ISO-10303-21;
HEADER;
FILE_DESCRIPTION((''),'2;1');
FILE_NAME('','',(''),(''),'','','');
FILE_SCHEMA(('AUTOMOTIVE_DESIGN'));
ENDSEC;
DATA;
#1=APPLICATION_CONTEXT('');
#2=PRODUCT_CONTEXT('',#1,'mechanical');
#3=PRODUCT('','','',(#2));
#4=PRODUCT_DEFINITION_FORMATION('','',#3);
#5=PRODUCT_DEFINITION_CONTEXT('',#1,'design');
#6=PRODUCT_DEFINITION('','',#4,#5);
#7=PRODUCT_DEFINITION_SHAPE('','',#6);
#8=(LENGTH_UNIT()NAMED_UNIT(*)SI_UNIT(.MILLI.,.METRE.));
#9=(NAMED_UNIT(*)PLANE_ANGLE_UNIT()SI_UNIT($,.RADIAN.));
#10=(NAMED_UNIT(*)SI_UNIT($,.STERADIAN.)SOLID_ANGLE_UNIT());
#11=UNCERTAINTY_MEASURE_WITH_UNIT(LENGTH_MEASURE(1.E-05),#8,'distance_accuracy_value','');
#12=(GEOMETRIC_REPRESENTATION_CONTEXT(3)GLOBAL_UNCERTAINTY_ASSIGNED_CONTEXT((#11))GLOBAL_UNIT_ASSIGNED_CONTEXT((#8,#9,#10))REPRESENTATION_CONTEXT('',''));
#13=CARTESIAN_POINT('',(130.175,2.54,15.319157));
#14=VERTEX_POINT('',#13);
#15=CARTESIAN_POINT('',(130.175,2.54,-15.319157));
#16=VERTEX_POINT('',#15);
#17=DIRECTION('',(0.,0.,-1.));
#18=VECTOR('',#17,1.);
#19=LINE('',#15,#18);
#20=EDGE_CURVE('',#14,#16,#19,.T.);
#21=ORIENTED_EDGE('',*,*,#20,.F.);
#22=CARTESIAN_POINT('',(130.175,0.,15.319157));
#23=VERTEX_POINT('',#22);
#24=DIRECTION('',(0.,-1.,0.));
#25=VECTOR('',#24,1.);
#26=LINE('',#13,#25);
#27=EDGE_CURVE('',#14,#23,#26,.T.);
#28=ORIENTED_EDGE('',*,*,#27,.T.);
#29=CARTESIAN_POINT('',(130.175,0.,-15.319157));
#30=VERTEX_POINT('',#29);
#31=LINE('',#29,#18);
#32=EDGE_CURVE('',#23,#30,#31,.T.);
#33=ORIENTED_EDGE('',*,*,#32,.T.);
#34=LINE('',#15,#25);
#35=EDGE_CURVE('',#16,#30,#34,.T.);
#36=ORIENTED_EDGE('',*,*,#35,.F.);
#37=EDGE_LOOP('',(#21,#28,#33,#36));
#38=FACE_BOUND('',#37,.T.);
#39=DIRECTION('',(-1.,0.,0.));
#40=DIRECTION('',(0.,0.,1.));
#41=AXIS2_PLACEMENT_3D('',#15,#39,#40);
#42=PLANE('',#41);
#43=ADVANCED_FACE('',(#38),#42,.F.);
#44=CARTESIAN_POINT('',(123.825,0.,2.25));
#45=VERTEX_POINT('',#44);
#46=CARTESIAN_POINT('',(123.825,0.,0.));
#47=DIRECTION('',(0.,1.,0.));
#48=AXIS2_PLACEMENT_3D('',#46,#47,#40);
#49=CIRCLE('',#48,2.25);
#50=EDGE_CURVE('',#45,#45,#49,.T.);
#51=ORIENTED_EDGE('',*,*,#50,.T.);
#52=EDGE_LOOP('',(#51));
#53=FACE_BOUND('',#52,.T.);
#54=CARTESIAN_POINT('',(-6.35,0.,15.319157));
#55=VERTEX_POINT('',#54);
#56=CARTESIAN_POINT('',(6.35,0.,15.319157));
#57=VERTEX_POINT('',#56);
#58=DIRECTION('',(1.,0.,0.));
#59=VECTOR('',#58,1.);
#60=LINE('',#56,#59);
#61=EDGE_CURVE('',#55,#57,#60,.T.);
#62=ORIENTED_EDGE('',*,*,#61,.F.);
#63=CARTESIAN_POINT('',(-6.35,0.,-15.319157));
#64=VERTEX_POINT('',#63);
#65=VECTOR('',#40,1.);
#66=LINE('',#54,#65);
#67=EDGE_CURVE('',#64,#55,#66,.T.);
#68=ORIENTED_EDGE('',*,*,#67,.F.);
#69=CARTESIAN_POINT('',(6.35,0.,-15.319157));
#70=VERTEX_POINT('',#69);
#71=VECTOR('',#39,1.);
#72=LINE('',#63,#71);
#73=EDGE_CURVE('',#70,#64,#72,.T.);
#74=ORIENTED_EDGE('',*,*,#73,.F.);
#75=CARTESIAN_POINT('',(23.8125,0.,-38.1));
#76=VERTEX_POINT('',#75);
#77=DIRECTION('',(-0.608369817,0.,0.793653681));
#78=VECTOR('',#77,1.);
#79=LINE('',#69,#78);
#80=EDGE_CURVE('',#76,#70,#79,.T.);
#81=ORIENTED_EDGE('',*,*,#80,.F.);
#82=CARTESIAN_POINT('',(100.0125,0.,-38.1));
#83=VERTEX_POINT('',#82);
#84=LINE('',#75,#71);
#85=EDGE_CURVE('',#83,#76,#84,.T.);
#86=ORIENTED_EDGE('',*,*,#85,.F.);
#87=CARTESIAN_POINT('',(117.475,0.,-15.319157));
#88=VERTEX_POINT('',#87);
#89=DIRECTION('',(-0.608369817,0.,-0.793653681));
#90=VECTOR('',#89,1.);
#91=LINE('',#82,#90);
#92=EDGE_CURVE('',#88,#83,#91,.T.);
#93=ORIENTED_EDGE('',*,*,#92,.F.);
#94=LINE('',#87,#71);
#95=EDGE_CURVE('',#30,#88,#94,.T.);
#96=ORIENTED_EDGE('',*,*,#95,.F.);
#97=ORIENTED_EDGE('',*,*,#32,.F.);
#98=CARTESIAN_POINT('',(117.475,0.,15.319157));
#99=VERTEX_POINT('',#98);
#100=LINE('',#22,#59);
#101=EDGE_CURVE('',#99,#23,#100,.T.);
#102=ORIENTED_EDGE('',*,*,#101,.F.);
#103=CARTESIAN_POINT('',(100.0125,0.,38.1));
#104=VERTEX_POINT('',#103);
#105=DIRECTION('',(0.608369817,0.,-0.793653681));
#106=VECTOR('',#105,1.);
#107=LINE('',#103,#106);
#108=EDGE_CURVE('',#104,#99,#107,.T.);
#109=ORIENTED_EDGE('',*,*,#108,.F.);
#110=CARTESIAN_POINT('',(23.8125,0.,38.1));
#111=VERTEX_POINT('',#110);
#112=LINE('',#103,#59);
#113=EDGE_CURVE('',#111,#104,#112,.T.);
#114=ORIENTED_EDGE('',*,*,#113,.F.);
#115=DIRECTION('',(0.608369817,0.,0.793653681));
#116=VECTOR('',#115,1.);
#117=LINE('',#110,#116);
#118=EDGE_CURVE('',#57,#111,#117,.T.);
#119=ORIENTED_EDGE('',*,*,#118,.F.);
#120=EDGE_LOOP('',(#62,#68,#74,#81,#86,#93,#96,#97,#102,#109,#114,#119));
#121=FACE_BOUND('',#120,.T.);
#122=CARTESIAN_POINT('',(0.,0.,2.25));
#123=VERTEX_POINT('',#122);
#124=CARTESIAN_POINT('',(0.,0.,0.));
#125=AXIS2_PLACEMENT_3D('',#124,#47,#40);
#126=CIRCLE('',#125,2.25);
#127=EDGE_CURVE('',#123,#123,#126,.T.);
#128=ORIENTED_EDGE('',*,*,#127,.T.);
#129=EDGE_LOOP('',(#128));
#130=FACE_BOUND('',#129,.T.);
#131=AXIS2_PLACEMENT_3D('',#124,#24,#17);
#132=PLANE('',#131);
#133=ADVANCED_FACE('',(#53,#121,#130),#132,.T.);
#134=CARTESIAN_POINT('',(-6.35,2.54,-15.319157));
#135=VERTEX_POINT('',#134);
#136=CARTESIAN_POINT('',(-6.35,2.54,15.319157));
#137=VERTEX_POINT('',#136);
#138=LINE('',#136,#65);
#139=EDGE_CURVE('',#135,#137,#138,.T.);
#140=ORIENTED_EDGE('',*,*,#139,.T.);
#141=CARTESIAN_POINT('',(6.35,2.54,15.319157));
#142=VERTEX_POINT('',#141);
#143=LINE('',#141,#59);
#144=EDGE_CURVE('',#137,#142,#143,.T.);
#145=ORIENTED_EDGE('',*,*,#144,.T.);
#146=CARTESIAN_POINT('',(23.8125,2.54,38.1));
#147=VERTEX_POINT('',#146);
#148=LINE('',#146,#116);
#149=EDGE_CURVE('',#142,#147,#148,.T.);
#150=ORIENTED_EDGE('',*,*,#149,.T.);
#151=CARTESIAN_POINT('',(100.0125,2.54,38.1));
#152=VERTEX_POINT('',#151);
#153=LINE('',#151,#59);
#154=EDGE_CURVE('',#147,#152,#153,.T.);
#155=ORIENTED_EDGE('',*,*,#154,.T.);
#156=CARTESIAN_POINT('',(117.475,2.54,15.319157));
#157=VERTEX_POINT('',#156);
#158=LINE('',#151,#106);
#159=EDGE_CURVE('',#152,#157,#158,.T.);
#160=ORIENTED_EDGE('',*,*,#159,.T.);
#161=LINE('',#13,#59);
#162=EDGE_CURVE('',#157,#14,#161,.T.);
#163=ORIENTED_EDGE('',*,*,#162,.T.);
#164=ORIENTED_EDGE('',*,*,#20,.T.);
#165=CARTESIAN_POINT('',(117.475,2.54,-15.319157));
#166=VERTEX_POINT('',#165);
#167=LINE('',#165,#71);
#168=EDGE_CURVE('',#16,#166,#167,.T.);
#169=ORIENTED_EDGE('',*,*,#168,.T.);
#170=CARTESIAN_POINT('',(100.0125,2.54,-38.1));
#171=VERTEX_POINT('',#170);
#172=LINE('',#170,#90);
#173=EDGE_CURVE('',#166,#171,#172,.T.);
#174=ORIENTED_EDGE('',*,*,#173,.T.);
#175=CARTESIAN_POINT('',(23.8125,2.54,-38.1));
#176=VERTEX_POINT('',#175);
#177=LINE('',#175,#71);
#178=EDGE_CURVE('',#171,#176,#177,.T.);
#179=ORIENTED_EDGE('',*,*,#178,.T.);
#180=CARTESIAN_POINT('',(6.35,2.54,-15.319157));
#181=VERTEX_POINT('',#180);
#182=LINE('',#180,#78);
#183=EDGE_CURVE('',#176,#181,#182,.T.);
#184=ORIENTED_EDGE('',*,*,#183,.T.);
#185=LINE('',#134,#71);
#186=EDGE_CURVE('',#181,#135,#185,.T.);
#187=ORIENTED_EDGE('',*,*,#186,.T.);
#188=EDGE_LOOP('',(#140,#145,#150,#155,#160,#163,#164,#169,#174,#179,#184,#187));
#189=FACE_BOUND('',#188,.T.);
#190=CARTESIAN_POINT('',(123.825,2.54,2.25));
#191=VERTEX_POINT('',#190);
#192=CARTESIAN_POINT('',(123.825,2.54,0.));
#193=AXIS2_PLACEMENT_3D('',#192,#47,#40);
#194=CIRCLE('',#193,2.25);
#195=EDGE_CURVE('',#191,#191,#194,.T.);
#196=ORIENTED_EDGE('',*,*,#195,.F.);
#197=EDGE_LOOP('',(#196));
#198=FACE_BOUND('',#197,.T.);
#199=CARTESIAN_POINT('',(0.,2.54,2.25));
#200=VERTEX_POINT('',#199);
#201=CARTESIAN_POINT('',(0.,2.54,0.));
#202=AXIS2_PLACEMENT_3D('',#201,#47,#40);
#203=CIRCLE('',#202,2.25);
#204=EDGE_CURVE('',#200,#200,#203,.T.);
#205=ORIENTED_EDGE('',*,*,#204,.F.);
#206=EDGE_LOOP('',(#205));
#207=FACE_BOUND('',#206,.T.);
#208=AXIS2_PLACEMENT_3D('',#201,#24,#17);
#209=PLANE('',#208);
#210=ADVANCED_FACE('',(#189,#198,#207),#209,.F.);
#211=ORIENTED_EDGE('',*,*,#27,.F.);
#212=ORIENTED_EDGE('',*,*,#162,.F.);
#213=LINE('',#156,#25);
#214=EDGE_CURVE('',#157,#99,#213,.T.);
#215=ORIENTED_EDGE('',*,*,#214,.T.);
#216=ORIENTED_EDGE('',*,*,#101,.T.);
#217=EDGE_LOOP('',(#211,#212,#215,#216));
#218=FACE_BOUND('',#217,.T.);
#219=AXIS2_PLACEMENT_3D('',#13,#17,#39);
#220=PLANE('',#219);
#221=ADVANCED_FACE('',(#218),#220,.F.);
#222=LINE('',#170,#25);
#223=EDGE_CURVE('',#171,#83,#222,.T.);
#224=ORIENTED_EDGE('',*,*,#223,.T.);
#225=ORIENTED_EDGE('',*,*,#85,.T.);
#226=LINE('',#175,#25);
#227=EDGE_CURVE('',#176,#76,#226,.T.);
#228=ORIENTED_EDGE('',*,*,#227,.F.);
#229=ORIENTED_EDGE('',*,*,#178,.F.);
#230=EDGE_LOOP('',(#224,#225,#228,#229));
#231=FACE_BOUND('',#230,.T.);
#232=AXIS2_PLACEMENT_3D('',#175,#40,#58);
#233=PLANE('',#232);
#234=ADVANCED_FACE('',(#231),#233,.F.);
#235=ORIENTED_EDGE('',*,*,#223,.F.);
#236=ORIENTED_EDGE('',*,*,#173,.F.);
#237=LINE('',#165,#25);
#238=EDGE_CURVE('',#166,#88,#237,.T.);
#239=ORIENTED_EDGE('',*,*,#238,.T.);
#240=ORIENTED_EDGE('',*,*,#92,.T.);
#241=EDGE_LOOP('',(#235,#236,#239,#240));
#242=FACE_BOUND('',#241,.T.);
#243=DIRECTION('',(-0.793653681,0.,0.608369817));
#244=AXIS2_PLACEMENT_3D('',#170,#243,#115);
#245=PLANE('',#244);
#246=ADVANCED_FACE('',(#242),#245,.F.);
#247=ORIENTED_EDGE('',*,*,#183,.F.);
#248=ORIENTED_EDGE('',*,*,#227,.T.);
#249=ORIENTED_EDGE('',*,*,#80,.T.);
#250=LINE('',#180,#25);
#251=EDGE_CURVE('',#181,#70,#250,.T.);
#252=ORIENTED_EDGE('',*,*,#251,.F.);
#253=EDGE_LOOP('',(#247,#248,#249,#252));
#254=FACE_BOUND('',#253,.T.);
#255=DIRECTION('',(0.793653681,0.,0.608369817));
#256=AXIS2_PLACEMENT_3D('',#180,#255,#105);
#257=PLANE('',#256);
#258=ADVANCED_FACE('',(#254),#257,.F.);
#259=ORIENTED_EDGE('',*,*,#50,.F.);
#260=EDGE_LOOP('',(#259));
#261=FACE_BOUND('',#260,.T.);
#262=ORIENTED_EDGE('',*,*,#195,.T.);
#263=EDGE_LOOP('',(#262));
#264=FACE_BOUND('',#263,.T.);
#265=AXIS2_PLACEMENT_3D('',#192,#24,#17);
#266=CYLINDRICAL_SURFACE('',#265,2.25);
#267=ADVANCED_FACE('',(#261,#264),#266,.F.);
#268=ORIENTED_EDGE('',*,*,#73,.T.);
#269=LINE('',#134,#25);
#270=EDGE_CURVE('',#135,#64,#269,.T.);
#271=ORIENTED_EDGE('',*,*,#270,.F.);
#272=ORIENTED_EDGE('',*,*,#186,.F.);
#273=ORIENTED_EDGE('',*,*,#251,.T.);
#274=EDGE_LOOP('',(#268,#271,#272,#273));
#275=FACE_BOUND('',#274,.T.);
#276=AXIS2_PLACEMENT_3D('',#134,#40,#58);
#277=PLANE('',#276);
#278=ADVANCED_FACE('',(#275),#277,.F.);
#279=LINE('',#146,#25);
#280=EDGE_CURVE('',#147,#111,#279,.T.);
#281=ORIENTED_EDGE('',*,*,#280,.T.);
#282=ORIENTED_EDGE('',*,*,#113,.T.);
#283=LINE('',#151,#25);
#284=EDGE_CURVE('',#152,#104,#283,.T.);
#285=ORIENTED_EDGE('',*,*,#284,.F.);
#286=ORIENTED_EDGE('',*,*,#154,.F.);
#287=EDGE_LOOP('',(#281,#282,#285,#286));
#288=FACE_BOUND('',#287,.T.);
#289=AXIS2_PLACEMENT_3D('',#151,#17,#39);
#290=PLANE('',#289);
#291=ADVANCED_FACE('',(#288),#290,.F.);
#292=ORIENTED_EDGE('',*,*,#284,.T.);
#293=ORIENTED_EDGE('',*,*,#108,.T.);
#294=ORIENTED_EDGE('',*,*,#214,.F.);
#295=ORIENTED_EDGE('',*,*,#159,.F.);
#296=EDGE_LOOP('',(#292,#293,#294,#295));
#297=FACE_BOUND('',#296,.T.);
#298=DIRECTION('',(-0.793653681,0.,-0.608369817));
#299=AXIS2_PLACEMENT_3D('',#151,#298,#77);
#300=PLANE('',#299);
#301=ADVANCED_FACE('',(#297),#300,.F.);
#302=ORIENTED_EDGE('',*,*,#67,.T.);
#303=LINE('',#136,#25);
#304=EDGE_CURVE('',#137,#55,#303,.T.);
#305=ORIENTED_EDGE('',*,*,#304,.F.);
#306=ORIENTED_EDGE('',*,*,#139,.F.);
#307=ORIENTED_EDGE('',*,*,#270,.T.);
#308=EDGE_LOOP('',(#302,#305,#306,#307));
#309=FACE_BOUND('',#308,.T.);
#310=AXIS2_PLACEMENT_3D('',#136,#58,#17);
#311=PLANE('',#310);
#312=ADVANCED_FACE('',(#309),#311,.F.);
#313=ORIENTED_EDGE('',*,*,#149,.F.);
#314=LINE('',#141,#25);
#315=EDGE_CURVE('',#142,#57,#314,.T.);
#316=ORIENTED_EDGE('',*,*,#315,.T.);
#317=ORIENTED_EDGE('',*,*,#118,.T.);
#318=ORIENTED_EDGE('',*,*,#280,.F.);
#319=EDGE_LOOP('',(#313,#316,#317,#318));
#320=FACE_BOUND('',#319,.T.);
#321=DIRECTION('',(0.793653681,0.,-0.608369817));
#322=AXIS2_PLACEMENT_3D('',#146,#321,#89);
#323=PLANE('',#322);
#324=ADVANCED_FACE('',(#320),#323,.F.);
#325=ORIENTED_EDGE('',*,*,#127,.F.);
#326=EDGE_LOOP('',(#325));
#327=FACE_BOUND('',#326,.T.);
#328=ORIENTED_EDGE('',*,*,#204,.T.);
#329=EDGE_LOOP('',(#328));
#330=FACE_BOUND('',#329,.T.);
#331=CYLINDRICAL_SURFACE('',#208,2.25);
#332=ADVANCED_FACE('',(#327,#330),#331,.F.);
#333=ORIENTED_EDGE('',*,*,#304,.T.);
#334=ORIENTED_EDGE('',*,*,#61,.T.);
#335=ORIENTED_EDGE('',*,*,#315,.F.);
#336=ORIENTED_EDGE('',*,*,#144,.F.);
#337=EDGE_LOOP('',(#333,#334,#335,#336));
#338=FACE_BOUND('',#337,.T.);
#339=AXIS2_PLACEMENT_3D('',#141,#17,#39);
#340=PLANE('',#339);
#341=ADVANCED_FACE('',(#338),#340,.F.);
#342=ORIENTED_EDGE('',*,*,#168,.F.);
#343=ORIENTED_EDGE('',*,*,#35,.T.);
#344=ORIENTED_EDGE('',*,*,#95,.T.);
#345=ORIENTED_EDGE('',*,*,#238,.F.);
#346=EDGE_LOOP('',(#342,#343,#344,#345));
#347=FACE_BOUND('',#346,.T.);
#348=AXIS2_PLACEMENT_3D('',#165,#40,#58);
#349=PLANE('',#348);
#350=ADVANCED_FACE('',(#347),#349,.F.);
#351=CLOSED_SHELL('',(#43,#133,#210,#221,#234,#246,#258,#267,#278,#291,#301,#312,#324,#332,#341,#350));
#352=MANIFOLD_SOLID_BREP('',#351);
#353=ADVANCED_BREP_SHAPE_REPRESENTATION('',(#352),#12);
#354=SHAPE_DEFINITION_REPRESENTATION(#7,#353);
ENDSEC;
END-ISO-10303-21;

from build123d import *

# Parameters (mm, degrees)
SKETCH1_R           = 2.25
BOSS_EXTRUDE1_DEPTH = 2.54


with BuildPart() as part:
    # Sketch1 → Boss-Extrude1 (new body)
    with BuildSketch(Plane(origin=(0, 0, 0), x_dir=(1, 0, 0), z_dir=(0, 1, 0))):
        Polygon((-6.35, 15.319156813), (6.35, 15.319156813), (23.8125, 38.1), (100.0125, 38.1), (117.475, 15.319156813), (130.175, 15.319156813), (130.175, -15.319156813), (117.475, -15.319156813), (100.0125, -38.1), (23.8125, -38.1), (6.35, -15.319156813), (-6.35, -15.319156813), align=None)
        with Locations(Location((0, 0, 0), (0, 0, 270))):
            Circle(SKETCH1_R, mode=Mode.SUBTRACT)
        with Locations(Location((123.825, 0, 0), (0, 0, 270))):
            Circle(SKETCH1_R, mode=Mode.SUBTRACT)
    extrude(amount=BOSS_EXTRUDE1_DEPTH)


solid = part.part
